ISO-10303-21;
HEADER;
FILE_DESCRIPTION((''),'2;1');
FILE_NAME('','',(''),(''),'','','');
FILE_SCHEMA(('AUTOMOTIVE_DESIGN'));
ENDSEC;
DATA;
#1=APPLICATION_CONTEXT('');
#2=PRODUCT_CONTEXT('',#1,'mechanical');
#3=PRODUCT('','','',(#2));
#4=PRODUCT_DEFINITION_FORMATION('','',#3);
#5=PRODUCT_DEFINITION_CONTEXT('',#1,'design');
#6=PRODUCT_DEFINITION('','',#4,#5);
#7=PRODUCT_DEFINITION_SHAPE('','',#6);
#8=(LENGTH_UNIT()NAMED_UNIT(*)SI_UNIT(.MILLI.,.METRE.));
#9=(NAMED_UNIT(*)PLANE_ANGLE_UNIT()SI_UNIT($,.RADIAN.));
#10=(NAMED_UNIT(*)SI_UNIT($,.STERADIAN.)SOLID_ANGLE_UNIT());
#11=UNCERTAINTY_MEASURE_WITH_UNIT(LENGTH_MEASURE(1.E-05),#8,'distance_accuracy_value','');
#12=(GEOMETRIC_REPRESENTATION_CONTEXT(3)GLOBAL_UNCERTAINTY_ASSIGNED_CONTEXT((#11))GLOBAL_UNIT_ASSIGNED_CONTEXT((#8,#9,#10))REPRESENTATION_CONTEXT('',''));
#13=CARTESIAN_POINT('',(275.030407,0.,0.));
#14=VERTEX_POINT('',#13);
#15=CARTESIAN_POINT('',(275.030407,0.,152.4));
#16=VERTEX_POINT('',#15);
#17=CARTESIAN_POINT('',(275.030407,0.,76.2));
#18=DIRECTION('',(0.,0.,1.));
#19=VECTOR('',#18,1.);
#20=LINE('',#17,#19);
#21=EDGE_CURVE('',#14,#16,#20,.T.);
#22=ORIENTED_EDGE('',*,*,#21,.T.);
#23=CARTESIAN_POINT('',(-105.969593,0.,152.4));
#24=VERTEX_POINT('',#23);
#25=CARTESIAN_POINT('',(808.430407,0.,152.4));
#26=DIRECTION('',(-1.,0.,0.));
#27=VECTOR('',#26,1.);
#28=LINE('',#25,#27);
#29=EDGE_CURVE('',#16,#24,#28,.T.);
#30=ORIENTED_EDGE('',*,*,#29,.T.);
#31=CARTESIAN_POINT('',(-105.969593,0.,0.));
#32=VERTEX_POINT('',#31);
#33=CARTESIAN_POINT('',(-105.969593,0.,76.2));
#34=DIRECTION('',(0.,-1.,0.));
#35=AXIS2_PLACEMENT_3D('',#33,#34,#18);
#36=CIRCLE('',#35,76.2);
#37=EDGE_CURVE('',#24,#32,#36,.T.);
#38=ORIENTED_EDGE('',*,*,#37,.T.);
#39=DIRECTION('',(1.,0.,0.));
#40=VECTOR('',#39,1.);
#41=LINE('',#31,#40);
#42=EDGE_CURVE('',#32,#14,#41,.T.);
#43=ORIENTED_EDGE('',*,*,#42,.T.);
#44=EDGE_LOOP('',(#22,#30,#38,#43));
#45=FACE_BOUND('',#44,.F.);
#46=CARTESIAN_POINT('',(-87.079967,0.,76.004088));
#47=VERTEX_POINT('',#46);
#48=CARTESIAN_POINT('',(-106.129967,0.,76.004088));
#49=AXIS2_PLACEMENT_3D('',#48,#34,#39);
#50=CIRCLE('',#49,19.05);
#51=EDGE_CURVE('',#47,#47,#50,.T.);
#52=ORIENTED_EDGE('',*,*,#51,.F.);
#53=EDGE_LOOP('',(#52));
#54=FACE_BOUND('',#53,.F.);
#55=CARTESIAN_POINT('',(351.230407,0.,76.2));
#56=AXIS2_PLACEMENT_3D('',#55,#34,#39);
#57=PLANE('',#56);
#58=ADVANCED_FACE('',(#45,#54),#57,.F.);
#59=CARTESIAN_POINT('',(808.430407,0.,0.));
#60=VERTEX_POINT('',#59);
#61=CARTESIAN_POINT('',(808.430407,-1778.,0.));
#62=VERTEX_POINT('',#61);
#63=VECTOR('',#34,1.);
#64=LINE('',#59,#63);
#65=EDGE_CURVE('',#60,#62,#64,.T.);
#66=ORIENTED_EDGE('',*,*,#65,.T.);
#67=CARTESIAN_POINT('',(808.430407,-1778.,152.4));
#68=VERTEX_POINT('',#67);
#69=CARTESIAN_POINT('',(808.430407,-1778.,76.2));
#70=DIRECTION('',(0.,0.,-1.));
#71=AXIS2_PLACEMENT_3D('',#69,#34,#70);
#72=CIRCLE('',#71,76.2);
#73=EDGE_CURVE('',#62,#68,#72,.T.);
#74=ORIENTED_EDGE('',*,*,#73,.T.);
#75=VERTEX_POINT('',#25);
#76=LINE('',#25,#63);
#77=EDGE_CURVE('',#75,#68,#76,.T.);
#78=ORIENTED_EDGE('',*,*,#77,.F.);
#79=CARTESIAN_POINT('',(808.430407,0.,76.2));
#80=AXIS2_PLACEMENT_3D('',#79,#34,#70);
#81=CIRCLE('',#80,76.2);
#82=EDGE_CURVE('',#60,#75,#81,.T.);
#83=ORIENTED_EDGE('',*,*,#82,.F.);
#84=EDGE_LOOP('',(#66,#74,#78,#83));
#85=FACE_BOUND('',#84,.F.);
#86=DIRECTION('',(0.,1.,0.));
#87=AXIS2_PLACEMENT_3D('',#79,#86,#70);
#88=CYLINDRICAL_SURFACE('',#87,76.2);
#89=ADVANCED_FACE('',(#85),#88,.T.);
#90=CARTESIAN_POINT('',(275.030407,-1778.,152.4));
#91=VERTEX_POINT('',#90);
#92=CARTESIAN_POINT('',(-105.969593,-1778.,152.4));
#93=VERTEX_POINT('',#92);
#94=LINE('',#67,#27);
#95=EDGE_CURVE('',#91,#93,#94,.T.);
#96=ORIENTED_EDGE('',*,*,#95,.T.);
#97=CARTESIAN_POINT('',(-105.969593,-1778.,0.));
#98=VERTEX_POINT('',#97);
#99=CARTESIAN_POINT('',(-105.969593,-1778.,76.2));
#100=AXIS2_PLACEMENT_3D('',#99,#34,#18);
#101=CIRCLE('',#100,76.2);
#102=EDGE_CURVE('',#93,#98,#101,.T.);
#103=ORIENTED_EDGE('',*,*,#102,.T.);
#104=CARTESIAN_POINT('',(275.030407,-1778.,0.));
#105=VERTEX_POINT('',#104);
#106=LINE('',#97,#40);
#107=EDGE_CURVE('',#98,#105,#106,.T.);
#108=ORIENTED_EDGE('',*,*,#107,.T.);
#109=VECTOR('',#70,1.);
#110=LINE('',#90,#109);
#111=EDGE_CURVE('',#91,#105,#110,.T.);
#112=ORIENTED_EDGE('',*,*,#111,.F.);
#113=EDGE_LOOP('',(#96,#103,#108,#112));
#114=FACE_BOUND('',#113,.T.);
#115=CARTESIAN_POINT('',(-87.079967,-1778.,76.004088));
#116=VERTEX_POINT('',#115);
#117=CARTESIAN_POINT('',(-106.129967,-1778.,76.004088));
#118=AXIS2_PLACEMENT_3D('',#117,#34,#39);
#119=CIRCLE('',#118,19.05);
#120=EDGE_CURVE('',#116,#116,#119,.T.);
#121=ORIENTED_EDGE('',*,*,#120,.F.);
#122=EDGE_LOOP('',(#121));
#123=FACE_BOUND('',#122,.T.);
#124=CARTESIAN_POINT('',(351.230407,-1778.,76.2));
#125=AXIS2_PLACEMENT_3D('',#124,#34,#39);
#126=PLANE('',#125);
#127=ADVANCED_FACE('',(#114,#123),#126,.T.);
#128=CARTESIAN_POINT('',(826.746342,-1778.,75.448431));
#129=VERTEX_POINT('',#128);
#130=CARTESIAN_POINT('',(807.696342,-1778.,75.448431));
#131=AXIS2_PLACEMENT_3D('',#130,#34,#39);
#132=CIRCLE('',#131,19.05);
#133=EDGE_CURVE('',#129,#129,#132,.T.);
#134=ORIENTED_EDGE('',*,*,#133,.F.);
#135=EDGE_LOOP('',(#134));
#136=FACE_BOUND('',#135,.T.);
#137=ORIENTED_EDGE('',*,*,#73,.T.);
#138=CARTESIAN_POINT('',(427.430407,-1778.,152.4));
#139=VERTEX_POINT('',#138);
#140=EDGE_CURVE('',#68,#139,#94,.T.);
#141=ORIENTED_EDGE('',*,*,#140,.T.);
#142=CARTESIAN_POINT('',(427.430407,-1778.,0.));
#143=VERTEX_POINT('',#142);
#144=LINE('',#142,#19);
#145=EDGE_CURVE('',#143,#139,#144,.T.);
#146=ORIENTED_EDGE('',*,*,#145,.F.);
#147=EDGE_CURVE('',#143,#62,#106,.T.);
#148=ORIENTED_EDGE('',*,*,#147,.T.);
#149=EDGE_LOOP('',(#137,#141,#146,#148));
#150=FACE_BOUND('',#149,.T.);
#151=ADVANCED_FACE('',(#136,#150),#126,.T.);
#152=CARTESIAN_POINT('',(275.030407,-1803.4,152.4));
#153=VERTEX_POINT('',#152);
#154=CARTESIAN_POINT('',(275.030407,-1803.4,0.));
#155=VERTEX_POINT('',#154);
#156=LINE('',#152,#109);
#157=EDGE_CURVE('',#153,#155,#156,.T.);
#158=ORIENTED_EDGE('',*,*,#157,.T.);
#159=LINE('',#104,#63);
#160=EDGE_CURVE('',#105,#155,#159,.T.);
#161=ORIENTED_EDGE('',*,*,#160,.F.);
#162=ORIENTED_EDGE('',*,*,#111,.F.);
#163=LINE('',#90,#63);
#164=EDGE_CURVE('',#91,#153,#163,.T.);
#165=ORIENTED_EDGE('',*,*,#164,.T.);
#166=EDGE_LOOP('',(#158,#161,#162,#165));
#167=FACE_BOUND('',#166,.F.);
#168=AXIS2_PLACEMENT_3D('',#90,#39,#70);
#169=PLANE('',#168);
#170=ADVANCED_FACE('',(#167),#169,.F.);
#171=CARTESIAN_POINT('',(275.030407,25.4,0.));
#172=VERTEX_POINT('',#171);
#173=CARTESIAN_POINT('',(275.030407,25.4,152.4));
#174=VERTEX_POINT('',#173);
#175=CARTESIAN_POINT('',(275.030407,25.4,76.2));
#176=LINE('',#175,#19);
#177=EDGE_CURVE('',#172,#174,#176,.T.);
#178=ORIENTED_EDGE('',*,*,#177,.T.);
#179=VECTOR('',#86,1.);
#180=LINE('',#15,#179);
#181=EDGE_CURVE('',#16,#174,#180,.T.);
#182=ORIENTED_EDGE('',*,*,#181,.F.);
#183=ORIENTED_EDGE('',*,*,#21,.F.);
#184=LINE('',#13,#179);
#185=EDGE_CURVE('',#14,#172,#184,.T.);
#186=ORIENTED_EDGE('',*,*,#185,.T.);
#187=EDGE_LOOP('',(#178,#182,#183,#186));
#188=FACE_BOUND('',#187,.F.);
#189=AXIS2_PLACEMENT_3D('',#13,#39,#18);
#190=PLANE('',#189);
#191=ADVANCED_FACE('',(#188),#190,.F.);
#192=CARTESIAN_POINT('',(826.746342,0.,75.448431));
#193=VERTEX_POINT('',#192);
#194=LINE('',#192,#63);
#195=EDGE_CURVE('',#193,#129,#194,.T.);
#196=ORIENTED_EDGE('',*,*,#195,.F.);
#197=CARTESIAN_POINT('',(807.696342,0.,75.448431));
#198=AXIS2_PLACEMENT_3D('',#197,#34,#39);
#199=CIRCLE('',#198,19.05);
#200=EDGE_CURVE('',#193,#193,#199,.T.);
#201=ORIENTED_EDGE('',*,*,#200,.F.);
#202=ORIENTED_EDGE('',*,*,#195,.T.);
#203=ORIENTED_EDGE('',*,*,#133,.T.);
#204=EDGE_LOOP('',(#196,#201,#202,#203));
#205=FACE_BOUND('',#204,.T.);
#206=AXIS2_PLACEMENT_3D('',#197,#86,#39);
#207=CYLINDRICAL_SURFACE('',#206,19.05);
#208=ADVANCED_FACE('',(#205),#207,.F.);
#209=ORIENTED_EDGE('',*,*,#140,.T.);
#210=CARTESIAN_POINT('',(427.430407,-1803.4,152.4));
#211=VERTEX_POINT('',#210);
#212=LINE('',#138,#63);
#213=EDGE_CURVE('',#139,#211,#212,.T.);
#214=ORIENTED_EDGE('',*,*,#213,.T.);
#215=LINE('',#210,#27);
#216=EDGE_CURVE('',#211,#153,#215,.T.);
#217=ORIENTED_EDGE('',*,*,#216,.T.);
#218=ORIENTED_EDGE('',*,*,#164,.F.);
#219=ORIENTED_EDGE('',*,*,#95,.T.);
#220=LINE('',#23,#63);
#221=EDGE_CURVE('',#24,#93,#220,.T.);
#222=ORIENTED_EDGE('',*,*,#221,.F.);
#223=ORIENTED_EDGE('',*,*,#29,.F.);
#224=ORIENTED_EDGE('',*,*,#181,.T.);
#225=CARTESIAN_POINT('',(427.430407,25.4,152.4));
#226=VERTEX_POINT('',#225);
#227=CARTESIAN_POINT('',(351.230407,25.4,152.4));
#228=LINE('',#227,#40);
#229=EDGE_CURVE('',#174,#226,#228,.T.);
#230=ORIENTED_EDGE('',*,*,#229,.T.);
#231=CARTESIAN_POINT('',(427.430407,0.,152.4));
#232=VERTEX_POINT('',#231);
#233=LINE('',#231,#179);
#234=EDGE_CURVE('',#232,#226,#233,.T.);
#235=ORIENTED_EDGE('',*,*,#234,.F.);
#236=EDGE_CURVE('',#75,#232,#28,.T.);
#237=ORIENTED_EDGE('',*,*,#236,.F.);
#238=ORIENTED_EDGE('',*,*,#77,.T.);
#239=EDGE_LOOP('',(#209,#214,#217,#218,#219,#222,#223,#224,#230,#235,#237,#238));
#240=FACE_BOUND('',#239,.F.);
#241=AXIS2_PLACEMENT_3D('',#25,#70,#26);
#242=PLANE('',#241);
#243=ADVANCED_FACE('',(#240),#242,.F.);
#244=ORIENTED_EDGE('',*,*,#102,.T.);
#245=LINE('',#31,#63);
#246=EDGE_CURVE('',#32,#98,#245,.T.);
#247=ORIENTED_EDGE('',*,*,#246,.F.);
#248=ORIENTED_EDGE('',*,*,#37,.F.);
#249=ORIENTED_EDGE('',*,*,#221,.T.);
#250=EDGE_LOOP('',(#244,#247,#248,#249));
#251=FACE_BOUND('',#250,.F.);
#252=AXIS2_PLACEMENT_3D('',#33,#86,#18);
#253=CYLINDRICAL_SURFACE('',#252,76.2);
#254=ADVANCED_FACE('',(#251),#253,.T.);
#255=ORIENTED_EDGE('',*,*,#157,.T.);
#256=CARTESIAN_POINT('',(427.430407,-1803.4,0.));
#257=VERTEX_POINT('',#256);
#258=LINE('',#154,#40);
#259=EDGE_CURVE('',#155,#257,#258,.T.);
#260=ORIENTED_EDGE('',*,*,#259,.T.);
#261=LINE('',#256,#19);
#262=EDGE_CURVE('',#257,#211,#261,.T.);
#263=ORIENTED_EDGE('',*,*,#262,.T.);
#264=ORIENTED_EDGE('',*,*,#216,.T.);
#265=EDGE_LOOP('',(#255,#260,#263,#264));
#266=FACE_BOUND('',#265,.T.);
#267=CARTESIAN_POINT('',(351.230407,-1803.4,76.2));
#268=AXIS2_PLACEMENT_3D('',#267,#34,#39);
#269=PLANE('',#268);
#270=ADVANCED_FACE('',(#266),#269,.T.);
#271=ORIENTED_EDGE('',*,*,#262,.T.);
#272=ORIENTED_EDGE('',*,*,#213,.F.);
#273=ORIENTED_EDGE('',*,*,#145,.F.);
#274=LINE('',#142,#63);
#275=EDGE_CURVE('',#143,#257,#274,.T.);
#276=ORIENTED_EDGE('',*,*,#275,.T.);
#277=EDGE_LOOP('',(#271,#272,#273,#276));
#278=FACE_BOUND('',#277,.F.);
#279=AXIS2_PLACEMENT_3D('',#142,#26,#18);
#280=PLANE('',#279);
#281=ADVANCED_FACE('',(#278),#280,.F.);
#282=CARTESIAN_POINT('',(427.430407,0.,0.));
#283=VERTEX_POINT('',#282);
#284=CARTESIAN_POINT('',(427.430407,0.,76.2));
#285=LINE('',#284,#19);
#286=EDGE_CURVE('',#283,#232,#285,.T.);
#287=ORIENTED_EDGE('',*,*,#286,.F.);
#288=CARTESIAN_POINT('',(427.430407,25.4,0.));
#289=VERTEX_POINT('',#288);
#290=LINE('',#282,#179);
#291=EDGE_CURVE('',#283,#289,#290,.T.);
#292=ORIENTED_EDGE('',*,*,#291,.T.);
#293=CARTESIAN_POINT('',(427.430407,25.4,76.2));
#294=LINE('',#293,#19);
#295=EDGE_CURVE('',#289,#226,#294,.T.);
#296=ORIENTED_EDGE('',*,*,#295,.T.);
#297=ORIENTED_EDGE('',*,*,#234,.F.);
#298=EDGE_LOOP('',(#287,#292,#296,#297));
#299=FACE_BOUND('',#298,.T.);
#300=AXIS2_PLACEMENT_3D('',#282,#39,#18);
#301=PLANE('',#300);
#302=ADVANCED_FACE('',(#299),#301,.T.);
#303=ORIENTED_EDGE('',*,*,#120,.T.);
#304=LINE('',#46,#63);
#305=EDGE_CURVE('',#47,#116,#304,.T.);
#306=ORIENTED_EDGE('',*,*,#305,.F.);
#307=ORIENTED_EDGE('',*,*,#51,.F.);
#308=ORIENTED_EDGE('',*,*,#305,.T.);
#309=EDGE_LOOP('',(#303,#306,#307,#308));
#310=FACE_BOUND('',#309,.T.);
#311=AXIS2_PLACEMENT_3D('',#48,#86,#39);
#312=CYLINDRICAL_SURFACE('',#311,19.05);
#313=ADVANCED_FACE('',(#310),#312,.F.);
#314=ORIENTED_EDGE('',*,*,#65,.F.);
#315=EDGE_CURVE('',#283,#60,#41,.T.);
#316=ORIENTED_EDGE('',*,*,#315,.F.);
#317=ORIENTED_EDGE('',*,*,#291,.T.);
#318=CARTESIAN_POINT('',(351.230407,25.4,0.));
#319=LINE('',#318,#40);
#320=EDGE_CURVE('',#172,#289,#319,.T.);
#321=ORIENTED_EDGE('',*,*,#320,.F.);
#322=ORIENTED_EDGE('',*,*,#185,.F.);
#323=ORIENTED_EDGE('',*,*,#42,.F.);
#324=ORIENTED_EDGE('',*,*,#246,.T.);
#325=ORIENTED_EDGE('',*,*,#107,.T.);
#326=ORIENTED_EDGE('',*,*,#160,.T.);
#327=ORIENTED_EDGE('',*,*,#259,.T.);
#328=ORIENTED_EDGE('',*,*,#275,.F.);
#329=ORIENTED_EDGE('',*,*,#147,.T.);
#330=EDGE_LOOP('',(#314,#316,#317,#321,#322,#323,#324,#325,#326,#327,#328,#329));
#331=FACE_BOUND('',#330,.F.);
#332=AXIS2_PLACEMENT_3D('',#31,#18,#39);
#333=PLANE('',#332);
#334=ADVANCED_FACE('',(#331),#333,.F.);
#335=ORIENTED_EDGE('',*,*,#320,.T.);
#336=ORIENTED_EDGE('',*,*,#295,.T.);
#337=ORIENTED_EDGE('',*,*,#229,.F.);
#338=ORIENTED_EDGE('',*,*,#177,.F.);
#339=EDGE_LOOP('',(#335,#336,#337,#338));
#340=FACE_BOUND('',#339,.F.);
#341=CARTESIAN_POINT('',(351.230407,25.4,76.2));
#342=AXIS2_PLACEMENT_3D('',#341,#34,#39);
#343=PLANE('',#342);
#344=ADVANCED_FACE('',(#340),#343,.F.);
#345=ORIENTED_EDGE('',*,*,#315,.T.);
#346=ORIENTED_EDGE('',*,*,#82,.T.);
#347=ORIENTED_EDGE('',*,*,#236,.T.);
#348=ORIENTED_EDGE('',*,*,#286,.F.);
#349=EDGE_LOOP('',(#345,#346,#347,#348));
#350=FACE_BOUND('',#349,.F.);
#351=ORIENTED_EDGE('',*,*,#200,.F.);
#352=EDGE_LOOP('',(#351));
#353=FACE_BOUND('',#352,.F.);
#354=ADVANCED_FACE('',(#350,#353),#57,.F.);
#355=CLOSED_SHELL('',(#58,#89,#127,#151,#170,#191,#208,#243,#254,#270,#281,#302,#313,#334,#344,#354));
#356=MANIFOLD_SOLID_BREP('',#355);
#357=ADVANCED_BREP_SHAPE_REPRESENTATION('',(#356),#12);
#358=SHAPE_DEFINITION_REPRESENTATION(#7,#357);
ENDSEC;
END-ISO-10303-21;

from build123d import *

# Parameters (mm, degrees)
F1_R     = 19.05
F2_DEPTH = 1778
F4_DEPTH = 25.4
F5_W     = 152.4
F5_H     = 152.4
F6_DEPTH = 25.4


with BuildPart() as f2:
    # F1 (on face) → F2 (new body)
    with BuildSketch(Plane.XZ):
        with BuildLine():
            ThreePointArc((808.430407, 0), (884.630407, 76.2), (808.430407, 152.4))
            Line((808.430407, 152.4), (-105.969593, 152.4))
            ThreePointArc((-105.969593, 152.4), (-182.169593, 76.2), (-105.969593, 0))
            Line((-105.969593, 0), (808.430407, 0))
        make_face()
        with Locations((-106.129967, 76.004088)):
            Circle(F1_R, mode=Mode.SUBTRACT)
        with Locations((807.696342, 75.448431)):
            Circle(F1_R, mode=Mode.SUBTRACT)
    extrude(amount=F2_DEPTH)

    # F3 (on face) → F4 (join)
    with BuildSketch(Plane.XZ.offset(1778)):
        Polygon((427.430407, 152.4), (351.230407, 152.4), (275.030407, 152.4), (275.030407, 0), (427.430407, 0), align=None)
    extrude(amount=F4_DEPTH)

    # F5 (on face) → F6 (join)
    with BuildSketch(Plane.XZ):
        with Locations((351.230407, 76.2)):
            Rectangle(F5_W, F5_H)
    extrude(amount=-F6_DEPTH)


solid = f2.part
